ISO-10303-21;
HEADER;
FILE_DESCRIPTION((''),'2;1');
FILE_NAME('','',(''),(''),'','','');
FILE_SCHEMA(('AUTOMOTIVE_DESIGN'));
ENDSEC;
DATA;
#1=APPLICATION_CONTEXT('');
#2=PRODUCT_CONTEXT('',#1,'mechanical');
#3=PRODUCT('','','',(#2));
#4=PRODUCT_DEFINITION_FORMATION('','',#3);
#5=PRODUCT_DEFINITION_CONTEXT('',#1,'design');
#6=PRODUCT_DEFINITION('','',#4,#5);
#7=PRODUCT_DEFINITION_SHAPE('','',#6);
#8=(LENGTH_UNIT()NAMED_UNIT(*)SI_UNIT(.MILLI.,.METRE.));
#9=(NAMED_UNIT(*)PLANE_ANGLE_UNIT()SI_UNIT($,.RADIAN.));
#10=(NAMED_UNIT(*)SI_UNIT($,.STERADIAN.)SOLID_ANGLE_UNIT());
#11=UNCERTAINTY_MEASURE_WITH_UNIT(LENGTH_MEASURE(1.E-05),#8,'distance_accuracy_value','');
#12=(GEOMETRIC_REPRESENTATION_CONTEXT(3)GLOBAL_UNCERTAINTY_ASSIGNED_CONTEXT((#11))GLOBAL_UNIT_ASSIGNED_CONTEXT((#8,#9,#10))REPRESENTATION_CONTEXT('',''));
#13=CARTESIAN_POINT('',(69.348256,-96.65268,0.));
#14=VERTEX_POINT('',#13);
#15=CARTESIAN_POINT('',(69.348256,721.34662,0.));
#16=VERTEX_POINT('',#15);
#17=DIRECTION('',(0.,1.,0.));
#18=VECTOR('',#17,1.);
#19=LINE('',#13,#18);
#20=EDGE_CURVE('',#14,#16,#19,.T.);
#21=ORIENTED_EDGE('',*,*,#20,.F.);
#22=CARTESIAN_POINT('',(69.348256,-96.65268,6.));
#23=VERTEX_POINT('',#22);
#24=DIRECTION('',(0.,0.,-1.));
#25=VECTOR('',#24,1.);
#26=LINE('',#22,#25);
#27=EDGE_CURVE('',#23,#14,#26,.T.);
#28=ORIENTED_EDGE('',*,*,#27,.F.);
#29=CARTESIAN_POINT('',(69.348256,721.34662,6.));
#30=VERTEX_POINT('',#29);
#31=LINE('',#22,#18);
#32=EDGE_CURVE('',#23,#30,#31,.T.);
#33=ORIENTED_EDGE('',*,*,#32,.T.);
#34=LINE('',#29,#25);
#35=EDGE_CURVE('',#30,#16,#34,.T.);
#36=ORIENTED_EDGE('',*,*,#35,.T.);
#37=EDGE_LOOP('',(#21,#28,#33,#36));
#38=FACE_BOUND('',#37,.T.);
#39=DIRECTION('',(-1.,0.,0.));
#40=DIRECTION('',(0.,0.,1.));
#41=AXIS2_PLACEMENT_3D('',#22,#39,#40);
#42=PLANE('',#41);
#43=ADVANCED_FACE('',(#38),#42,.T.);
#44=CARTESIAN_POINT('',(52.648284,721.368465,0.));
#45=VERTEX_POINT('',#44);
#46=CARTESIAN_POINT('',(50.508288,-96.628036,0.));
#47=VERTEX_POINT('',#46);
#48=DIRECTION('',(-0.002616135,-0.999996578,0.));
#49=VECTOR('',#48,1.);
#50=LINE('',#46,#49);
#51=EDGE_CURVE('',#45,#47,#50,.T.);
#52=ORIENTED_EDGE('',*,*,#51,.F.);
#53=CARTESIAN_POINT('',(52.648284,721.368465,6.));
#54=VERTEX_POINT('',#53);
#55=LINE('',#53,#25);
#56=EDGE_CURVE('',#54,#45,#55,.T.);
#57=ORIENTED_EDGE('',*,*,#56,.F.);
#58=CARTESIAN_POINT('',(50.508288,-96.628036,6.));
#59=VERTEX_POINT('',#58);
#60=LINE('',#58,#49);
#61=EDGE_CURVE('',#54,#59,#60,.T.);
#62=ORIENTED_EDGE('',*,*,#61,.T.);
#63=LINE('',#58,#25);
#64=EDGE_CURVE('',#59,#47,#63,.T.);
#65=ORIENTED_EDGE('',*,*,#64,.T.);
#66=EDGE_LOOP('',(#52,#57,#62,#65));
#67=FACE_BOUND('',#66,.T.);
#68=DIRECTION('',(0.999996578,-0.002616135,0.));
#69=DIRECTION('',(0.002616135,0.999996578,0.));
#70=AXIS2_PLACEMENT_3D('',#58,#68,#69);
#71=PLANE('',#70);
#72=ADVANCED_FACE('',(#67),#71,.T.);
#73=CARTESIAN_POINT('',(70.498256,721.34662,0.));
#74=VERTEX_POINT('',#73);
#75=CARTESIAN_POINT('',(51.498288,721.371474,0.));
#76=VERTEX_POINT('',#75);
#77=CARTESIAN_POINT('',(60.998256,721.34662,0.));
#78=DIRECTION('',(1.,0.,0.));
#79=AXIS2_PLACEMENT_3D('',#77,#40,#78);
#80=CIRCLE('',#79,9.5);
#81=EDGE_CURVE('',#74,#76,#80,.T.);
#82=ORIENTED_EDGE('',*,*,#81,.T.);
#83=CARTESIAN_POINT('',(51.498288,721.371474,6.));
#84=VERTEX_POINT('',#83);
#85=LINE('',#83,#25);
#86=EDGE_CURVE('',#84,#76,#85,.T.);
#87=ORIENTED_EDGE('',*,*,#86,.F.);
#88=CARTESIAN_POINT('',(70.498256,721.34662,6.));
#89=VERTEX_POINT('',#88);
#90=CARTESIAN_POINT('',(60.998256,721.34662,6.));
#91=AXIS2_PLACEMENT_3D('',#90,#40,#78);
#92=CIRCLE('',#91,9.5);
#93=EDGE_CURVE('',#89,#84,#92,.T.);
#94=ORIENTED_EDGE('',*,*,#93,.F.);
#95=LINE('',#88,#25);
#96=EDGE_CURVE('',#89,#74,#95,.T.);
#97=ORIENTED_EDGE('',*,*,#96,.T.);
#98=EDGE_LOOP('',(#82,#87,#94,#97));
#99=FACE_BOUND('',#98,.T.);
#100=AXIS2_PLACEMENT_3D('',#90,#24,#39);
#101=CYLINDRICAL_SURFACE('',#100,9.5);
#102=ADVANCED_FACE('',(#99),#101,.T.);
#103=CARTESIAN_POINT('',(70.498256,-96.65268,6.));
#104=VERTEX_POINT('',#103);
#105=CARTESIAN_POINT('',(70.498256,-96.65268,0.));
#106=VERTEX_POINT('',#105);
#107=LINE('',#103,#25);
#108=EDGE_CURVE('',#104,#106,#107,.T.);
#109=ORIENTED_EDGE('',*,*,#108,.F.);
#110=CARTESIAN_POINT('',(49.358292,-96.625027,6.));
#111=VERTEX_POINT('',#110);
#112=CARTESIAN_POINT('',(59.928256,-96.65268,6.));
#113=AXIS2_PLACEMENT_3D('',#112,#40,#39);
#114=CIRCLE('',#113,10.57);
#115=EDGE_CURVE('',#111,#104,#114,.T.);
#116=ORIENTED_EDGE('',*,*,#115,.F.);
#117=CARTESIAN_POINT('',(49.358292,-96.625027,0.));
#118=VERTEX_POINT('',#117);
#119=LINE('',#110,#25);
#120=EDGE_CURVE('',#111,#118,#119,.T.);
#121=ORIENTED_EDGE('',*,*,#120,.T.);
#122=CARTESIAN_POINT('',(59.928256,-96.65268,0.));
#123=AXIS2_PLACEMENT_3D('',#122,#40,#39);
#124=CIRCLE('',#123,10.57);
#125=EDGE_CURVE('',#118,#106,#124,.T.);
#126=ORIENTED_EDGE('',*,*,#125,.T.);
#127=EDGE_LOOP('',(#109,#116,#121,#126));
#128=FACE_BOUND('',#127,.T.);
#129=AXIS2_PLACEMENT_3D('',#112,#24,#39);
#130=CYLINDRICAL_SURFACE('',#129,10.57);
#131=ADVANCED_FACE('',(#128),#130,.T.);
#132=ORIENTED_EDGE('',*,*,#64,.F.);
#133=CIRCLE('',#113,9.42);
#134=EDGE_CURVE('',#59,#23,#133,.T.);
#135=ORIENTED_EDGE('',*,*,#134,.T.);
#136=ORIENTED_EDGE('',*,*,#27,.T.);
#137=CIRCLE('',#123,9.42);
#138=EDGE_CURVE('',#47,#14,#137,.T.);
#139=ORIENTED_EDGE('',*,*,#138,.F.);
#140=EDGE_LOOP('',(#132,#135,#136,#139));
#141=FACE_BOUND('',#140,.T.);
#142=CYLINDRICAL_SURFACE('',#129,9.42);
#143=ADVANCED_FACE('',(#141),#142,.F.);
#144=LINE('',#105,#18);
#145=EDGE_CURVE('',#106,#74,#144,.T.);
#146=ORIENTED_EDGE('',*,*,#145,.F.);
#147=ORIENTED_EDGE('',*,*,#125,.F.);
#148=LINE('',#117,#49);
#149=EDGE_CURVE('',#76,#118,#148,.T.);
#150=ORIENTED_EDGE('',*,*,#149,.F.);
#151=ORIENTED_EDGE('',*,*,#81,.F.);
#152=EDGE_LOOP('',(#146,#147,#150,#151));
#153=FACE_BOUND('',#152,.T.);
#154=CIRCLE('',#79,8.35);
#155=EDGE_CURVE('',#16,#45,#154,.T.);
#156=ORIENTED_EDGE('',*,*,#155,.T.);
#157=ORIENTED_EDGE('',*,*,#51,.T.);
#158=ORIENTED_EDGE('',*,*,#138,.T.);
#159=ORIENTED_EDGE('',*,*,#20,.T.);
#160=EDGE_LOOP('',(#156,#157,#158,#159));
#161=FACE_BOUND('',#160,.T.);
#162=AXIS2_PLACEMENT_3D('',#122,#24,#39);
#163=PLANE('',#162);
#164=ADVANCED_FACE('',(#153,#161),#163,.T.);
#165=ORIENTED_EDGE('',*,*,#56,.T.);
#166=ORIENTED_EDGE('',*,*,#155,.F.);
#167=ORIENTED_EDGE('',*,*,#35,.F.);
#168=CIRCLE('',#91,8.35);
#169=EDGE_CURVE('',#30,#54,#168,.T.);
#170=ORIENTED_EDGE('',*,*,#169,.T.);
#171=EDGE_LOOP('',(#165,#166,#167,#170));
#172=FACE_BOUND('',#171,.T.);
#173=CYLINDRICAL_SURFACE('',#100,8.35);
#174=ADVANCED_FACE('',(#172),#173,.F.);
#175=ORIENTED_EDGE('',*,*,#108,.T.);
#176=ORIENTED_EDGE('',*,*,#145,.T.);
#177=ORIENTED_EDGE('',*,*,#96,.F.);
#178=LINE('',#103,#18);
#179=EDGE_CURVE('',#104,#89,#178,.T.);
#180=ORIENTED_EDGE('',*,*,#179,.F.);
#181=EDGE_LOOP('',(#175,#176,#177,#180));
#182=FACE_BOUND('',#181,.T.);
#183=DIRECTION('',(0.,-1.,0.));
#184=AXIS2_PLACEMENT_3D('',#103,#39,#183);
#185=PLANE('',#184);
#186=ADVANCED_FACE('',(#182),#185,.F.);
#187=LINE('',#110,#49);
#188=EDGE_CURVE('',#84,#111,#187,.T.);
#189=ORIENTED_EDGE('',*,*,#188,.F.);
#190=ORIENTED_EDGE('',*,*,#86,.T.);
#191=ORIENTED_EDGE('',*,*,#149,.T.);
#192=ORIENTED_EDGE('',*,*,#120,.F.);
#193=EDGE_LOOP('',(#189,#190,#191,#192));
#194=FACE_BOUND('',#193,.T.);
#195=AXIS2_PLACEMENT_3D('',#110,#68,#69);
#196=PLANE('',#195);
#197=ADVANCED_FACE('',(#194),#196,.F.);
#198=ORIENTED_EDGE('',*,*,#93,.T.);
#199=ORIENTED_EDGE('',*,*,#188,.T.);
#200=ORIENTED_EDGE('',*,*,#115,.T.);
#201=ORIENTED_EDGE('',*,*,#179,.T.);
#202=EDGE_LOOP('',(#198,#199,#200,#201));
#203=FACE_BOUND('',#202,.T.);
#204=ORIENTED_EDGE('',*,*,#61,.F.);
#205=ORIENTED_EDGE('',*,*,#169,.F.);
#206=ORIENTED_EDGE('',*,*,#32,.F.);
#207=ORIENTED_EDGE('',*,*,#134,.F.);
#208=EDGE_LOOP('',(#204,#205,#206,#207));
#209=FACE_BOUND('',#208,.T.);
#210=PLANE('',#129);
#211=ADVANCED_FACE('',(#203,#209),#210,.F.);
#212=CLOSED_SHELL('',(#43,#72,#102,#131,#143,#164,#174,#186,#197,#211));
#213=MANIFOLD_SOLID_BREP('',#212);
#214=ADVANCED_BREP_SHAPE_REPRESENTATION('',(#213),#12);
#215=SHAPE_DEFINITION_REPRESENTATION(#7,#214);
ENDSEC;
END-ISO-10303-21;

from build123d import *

# Parameters (mm, degrees)
DODANIE_WYCI_GNI_CIE1_DEPTH = 6


with BuildPart() as part:
    # Szkic1 → Dodanie-wyciągnięcie1 (new body)
    with BuildSketch(Plane.XY):
        with BuildLine():
            Line((70.498255823, -96.652679881), (70.498255823, 721.346620302))
            ThreePointArc((70.498255823, 721.346620302), (61.010682473, 730.846612175), (51.498288333, 721.371473582))
            Line((51.498288333, 721.371473582), (49.358291994, -96.625027337))
            ThreePointArc((49.358291994, -96.625027337), (59.914429539, -107.222670838), (70.498255823, -96.652679881))
        make_face()
        with BuildLine():
            Line((69.348255823, -96.652679881), (69.348255823, 721.346620302))
            ThreePointArc((69.348255823, 721.346620302), (61.009178194, 729.696613159), (52.648284397, 721.368465027))
            Line((52.648284397, 721.368465027), (50.508288059, -96.628035892))
            ThreePointArc((50.508288059, -96.628035892), (59.915933818, -106.072671822), (69.348255823, -96.652679881))
        make_face(mode=Mode.SUBTRACT)
    extrude(amount=DODANIE_WYCI_GNI_CIE1_DEPTH)


solid = part.part
